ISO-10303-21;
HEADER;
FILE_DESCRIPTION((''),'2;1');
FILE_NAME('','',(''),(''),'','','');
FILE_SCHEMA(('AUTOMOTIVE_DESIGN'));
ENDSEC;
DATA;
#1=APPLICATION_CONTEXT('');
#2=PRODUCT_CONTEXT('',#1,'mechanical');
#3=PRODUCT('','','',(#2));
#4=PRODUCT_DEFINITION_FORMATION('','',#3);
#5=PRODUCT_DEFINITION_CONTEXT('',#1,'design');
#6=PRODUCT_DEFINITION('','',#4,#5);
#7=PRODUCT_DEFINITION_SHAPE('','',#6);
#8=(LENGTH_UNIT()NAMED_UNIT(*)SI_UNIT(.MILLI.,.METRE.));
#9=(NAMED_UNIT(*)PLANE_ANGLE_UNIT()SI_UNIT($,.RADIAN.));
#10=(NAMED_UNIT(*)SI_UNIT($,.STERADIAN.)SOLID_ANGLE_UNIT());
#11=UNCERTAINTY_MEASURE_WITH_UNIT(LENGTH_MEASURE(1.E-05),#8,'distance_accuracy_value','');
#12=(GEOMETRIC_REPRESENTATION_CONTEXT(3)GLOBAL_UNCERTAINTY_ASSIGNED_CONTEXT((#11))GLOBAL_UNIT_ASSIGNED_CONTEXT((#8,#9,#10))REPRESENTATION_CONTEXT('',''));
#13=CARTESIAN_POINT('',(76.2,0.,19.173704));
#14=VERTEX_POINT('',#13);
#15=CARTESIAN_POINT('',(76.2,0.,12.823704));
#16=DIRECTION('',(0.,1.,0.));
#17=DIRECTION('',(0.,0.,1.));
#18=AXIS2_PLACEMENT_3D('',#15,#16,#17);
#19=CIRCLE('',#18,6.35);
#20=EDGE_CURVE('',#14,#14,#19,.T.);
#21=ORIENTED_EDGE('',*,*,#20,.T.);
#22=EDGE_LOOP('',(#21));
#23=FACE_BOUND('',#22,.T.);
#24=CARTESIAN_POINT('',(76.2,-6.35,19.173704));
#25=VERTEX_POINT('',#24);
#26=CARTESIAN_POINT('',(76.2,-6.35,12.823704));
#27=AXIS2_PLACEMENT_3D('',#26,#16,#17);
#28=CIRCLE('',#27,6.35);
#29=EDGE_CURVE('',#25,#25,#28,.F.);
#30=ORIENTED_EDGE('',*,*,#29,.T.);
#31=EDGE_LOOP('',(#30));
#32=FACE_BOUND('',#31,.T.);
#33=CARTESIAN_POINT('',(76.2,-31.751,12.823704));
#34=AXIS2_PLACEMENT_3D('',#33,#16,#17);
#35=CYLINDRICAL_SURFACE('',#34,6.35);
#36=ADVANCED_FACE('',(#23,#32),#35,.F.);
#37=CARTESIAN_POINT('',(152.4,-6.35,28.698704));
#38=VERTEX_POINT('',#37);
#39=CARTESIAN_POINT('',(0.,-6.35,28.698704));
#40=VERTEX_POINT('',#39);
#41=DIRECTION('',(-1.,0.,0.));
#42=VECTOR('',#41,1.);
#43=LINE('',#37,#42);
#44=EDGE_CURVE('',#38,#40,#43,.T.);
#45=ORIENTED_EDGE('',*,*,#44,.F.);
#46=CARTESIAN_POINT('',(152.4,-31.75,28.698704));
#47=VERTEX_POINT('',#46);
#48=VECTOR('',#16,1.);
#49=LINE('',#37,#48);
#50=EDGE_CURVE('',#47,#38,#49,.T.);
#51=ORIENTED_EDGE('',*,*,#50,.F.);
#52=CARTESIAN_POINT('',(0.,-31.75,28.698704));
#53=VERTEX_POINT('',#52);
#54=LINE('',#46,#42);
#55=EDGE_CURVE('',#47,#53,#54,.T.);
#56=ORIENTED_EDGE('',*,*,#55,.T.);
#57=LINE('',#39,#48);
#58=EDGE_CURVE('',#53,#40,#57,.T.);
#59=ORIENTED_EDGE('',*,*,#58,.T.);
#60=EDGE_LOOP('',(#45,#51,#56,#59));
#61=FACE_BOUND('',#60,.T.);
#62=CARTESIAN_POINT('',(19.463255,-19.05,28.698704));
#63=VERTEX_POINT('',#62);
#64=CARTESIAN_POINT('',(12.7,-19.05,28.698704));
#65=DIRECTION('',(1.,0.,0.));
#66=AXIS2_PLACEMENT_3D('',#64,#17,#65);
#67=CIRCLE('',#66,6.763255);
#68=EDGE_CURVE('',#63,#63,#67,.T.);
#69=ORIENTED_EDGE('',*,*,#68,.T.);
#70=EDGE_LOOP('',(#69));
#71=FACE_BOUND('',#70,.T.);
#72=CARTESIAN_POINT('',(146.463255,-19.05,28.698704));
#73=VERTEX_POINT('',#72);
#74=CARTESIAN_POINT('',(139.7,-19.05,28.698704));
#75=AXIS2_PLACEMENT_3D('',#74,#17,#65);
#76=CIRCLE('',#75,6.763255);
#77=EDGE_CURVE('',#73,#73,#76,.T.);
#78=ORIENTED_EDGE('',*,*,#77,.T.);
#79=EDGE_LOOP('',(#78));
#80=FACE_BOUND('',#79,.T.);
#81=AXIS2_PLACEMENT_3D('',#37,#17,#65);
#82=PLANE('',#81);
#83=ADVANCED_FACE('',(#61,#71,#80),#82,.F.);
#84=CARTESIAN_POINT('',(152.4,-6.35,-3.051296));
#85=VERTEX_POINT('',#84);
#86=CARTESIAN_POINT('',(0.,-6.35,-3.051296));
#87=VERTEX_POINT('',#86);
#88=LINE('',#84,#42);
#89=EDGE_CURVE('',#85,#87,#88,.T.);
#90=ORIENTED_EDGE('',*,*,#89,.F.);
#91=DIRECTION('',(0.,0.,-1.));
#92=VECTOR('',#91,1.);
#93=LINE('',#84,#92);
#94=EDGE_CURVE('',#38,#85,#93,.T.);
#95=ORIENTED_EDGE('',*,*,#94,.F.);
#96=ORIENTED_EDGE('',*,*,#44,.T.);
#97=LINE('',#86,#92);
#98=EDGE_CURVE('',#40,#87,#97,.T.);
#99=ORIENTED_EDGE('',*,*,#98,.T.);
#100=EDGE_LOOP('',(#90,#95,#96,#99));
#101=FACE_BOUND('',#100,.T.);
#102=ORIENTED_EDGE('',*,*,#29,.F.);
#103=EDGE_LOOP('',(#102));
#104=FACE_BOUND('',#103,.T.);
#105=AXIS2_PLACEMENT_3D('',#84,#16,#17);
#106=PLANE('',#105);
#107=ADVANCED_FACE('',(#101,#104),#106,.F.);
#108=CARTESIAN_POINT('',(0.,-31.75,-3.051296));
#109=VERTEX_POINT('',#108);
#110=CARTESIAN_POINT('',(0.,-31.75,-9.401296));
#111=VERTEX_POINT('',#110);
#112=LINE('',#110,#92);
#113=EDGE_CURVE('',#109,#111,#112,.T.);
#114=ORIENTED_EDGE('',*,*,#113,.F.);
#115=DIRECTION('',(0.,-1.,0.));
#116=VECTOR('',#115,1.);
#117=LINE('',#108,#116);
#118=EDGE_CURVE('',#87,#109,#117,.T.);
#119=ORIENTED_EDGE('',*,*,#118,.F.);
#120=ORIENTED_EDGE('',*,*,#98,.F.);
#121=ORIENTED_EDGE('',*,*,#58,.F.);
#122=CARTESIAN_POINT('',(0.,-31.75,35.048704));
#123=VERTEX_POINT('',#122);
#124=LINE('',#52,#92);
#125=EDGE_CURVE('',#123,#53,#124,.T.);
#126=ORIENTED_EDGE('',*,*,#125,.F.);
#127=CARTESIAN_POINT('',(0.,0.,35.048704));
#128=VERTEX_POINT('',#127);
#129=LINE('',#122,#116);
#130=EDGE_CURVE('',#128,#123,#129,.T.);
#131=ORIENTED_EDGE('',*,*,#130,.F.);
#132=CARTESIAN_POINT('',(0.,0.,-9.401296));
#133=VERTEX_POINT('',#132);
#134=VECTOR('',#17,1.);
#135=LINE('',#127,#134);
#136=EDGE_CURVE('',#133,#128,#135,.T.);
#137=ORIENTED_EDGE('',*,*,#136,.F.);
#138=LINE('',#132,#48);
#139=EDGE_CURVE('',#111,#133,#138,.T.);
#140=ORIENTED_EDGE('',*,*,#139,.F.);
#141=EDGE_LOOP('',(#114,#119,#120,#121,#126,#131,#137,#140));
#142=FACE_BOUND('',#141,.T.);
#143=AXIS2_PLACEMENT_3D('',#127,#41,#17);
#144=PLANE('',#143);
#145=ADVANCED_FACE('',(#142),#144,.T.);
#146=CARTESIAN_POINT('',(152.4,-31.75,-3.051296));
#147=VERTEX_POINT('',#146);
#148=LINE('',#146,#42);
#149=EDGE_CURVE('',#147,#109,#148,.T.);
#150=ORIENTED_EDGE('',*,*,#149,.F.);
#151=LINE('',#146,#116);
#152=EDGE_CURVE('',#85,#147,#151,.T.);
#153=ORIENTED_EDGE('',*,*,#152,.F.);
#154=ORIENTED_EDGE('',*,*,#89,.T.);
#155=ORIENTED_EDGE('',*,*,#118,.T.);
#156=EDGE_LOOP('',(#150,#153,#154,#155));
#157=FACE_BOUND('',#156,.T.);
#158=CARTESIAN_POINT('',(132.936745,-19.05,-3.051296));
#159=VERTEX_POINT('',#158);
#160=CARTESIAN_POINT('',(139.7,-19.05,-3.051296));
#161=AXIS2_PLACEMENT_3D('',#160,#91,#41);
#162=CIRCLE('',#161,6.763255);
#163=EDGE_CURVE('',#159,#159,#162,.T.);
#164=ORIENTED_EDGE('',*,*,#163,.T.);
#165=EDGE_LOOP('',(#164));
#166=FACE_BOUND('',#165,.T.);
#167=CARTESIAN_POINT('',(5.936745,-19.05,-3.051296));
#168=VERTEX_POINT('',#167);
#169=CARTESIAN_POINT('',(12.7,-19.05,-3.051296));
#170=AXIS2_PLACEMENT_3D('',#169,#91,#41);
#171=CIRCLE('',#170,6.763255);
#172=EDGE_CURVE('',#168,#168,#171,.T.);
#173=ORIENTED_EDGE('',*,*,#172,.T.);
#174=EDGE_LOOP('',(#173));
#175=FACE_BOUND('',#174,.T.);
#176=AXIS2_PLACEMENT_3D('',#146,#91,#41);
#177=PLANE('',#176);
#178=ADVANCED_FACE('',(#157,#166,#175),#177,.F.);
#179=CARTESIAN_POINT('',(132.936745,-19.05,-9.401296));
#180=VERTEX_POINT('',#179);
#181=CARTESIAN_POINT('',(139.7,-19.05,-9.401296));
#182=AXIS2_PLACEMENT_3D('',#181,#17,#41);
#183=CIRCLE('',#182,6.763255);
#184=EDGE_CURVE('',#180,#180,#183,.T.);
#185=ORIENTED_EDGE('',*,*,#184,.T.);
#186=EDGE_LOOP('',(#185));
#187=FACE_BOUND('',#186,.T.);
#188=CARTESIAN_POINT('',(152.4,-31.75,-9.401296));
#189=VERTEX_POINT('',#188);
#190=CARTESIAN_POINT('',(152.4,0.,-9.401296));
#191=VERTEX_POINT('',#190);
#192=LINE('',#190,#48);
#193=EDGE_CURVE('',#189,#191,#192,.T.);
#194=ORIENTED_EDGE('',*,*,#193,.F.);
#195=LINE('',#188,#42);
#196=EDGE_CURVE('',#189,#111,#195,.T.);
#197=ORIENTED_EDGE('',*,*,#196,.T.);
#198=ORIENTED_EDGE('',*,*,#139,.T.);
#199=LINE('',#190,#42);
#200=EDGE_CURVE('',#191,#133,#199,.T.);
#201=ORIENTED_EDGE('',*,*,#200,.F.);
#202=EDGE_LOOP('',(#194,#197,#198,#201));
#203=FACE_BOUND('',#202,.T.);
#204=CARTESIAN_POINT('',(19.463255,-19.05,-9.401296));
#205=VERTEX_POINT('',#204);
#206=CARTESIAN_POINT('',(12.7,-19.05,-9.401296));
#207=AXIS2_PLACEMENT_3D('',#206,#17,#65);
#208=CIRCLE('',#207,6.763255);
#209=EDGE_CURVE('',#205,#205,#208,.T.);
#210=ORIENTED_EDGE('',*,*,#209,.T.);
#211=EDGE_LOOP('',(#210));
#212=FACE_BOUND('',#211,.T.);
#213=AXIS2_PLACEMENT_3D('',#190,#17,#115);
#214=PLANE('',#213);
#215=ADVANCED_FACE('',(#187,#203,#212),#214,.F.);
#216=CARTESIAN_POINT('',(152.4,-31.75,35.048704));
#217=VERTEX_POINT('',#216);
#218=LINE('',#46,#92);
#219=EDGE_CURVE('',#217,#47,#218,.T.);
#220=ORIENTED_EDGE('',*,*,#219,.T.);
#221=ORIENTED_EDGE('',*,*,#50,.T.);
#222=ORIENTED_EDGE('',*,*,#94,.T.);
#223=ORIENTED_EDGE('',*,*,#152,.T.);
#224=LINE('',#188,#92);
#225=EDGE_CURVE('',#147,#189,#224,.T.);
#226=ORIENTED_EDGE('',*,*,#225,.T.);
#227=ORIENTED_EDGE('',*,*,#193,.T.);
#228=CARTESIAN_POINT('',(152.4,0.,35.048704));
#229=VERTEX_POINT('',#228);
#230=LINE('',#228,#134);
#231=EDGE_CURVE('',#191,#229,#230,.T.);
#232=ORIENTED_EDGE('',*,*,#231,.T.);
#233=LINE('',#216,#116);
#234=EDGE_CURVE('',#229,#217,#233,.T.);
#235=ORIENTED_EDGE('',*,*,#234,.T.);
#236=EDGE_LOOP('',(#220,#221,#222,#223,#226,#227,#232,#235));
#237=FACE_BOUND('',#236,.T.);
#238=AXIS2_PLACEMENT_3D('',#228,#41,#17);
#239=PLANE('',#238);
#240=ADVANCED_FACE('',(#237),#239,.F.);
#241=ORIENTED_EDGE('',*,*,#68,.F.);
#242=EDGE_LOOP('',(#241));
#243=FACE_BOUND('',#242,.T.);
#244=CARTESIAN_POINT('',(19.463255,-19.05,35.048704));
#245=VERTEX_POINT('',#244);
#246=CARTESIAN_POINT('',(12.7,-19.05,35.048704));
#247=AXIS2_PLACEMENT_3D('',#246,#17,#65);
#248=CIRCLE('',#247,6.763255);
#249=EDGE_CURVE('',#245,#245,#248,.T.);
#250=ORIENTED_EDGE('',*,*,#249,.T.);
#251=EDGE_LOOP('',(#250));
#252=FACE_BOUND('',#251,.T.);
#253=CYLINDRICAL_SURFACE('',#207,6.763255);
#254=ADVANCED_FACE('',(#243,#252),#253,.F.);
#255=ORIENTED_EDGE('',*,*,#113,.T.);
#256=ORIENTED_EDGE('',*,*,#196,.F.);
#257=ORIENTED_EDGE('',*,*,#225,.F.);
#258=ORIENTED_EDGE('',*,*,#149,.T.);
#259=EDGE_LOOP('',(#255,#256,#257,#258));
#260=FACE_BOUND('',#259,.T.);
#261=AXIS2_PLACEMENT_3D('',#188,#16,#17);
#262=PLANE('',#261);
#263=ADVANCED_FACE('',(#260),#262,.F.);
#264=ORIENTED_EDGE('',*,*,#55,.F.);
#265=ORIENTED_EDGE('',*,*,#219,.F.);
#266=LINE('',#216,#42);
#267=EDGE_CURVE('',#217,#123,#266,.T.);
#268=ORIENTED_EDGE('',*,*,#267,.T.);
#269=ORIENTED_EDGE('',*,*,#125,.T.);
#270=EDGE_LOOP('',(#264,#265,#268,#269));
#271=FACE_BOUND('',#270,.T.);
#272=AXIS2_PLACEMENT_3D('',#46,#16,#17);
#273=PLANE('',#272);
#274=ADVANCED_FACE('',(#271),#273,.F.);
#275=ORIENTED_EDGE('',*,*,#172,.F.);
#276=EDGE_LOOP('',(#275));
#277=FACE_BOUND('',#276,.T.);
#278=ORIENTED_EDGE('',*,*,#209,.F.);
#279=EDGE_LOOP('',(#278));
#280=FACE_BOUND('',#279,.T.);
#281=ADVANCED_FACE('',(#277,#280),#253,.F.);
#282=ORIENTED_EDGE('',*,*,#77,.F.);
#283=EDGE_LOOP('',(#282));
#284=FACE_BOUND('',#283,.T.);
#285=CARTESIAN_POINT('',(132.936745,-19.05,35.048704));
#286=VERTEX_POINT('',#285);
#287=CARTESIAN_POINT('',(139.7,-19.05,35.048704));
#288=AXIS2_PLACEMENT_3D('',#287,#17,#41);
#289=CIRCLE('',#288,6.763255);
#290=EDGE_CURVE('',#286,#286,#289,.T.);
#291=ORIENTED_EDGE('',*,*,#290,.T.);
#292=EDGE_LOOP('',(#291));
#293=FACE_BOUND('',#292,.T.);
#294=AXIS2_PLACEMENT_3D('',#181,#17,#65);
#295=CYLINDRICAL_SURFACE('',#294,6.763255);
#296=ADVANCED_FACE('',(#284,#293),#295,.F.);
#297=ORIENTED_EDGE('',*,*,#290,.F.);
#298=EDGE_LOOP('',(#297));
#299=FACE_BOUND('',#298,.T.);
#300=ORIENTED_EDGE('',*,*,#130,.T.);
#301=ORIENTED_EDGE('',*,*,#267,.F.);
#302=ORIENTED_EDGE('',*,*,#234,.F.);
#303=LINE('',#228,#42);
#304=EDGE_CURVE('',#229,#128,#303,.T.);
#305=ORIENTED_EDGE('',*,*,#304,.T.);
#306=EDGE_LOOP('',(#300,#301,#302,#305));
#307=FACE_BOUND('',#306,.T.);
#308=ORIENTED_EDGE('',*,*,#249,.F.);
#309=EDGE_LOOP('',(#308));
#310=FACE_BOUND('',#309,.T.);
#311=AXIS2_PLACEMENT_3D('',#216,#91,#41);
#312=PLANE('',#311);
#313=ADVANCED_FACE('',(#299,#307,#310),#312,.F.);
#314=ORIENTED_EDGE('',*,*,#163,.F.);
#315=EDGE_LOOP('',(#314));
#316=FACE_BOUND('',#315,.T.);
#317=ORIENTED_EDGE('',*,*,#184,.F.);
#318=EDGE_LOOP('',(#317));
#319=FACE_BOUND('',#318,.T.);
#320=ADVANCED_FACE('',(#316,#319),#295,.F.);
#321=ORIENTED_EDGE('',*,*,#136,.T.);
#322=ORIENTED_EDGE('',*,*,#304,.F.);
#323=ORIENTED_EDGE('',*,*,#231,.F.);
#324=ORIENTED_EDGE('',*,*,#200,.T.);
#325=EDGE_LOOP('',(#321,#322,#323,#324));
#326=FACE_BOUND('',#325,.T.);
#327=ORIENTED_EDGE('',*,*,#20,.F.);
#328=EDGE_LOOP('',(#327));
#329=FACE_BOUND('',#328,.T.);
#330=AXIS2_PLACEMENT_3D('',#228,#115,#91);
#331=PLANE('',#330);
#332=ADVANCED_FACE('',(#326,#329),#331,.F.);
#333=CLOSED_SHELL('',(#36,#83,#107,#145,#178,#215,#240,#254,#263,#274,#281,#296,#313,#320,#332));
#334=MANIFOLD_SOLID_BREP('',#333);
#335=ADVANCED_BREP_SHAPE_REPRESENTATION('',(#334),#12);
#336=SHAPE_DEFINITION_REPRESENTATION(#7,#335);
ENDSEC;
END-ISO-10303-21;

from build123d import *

# Parameters (mm, degrees)
BOSS_EXTRUDE3_DEPTH = 152.4
CUT_EXTRUDE3_REACH  = 161.569
SKETCH7_R           = 6.35
SKETCH8_R           = 6.763254826
CUT_EXTRUDE4_DEPTH  = 162.893869557


with BuildPart() as part:
    # Sketch6 → Boss-Extrude3 (new body)
    with BuildSketch(Plane(origin=(0, 0, 0), x_dir=(0, 0, -1), z_dir=(1, 0, 0))):
        Polygon((-35.048704326, 0), (9.401295674, 0), (9.401295674, -31.75), (3.051295674, -31.75), (3.051295674, -6.35), (-28.698704326, -6.35), (-28.698704326, -31.75), (-35.048704326, -31.75), align=None)
    extrude(amount=BOSS_EXTRUDE3_DEPTH)

    # Sketch7 → Cut-Extrude3 (cut, up to next)
    with BuildSketch(Plane(origin=(0, 0, 0), x_dir=(1, 0, 0), z_dir=(0, 1, 0)), mode=Mode.PRIVATE) as cut_extrude3_sk1:
        with Locations(Location((76.2, -12.823704326, 0), (0, 0, 270))):
            Circle(SKETCH7_R)
    cut_extrude3_tool1 = extrude(cut_extrude3_sk1.sketch, amount=-CUT_EXTRUDE3_REACH, mode=Mode.PRIVATE) & part.part
    add(cut_extrude3_tool1.solids().sort_by_distance((76.2, 0, 12.823704))[0], mode=Mode.SUBTRACT)

    # Sketch8 → Cut-Extrude4 (cut, through all)
    with BuildSketch(Plane.XY.offset(35.048704326)):
        with Locations((12.7, -19.05)):
            Circle(SKETCH8_R)
        with Locations(Location((139.7, -19.05, 0), (0, 0, 180))):
            Circle(SKETCH8_R)
    extrude(amount=-CUT_EXTRUDE4_DEPTH, mode=Mode.SUBTRACT)


solid = part.part
